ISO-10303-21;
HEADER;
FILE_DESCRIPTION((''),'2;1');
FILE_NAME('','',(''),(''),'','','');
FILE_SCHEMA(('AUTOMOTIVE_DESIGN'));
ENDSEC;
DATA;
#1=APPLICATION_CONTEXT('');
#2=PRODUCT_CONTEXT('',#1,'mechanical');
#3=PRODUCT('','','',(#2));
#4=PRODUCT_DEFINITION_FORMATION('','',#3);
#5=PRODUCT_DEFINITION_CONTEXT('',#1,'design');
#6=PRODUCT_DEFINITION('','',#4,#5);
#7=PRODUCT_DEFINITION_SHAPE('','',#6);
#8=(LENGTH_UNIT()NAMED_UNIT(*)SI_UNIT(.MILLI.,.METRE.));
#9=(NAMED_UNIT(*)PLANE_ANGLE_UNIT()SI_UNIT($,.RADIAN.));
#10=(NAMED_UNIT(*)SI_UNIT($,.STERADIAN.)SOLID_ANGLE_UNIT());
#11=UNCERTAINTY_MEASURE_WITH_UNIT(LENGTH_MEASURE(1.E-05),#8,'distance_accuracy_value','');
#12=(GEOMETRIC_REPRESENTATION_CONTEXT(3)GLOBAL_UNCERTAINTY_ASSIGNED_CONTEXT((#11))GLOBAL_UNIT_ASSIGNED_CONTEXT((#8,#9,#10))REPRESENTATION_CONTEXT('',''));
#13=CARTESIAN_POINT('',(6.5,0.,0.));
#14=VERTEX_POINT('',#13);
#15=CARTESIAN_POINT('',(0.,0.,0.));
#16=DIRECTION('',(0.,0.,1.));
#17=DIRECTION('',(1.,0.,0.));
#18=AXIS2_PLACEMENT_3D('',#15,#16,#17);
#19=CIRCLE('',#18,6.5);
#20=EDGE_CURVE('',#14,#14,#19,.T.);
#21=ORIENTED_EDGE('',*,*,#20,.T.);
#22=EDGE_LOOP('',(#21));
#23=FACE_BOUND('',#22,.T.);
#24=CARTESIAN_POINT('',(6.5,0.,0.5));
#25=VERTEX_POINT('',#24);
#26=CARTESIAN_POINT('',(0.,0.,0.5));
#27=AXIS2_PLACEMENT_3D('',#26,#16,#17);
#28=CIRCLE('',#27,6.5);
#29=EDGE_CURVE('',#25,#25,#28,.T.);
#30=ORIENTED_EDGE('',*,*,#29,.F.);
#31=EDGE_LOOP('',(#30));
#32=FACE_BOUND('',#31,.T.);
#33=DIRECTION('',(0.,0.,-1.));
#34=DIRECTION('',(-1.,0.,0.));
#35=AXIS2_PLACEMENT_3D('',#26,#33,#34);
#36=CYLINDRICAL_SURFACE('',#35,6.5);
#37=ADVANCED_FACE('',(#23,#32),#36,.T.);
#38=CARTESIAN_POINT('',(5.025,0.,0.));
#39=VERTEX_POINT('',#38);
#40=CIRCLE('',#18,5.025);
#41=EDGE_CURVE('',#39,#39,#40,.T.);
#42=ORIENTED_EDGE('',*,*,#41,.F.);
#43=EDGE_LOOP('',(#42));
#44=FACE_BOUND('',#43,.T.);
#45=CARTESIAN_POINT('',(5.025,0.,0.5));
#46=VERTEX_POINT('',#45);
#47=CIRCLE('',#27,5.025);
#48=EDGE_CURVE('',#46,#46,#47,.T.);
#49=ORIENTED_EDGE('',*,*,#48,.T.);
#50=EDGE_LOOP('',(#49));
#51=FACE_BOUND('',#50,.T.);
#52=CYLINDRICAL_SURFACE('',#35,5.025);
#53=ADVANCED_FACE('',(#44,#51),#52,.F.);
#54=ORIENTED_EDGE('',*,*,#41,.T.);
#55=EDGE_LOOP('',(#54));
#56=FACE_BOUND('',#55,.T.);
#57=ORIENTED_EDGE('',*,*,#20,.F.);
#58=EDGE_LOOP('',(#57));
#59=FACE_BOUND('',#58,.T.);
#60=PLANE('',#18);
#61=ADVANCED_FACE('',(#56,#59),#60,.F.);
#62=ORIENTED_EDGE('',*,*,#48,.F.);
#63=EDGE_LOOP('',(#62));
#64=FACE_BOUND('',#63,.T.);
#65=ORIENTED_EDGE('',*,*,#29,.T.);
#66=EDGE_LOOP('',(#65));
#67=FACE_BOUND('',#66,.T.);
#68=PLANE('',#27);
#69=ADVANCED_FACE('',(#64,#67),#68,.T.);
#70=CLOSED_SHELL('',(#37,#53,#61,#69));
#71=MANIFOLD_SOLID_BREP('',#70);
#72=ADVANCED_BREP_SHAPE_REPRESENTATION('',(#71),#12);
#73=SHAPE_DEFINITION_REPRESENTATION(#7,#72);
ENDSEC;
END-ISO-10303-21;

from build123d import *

# Parameters (mm, degrees)
SKETCH_1_R      = 6.5
SKETCH_1_R_2    = 5.025
EXTRUDE_1_DEPTH = 0.5


with BuildPart() as part:
    # ｽｹｯﾁ1 → ﾎﾞｽ - 押し出し1 (new body)
    with BuildSketch(Plane(origin=(0, 0, 0), x_dir=(0, 1, 0), z_dir=(0, 0, 1))):
        Circle(SKETCH_1_R)
        Circle(SKETCH_1_R_2, mode=Mode.SUBTRACT)
    extrude(amount=EXTRUDE_1_DEPTH)


solid = part.part
